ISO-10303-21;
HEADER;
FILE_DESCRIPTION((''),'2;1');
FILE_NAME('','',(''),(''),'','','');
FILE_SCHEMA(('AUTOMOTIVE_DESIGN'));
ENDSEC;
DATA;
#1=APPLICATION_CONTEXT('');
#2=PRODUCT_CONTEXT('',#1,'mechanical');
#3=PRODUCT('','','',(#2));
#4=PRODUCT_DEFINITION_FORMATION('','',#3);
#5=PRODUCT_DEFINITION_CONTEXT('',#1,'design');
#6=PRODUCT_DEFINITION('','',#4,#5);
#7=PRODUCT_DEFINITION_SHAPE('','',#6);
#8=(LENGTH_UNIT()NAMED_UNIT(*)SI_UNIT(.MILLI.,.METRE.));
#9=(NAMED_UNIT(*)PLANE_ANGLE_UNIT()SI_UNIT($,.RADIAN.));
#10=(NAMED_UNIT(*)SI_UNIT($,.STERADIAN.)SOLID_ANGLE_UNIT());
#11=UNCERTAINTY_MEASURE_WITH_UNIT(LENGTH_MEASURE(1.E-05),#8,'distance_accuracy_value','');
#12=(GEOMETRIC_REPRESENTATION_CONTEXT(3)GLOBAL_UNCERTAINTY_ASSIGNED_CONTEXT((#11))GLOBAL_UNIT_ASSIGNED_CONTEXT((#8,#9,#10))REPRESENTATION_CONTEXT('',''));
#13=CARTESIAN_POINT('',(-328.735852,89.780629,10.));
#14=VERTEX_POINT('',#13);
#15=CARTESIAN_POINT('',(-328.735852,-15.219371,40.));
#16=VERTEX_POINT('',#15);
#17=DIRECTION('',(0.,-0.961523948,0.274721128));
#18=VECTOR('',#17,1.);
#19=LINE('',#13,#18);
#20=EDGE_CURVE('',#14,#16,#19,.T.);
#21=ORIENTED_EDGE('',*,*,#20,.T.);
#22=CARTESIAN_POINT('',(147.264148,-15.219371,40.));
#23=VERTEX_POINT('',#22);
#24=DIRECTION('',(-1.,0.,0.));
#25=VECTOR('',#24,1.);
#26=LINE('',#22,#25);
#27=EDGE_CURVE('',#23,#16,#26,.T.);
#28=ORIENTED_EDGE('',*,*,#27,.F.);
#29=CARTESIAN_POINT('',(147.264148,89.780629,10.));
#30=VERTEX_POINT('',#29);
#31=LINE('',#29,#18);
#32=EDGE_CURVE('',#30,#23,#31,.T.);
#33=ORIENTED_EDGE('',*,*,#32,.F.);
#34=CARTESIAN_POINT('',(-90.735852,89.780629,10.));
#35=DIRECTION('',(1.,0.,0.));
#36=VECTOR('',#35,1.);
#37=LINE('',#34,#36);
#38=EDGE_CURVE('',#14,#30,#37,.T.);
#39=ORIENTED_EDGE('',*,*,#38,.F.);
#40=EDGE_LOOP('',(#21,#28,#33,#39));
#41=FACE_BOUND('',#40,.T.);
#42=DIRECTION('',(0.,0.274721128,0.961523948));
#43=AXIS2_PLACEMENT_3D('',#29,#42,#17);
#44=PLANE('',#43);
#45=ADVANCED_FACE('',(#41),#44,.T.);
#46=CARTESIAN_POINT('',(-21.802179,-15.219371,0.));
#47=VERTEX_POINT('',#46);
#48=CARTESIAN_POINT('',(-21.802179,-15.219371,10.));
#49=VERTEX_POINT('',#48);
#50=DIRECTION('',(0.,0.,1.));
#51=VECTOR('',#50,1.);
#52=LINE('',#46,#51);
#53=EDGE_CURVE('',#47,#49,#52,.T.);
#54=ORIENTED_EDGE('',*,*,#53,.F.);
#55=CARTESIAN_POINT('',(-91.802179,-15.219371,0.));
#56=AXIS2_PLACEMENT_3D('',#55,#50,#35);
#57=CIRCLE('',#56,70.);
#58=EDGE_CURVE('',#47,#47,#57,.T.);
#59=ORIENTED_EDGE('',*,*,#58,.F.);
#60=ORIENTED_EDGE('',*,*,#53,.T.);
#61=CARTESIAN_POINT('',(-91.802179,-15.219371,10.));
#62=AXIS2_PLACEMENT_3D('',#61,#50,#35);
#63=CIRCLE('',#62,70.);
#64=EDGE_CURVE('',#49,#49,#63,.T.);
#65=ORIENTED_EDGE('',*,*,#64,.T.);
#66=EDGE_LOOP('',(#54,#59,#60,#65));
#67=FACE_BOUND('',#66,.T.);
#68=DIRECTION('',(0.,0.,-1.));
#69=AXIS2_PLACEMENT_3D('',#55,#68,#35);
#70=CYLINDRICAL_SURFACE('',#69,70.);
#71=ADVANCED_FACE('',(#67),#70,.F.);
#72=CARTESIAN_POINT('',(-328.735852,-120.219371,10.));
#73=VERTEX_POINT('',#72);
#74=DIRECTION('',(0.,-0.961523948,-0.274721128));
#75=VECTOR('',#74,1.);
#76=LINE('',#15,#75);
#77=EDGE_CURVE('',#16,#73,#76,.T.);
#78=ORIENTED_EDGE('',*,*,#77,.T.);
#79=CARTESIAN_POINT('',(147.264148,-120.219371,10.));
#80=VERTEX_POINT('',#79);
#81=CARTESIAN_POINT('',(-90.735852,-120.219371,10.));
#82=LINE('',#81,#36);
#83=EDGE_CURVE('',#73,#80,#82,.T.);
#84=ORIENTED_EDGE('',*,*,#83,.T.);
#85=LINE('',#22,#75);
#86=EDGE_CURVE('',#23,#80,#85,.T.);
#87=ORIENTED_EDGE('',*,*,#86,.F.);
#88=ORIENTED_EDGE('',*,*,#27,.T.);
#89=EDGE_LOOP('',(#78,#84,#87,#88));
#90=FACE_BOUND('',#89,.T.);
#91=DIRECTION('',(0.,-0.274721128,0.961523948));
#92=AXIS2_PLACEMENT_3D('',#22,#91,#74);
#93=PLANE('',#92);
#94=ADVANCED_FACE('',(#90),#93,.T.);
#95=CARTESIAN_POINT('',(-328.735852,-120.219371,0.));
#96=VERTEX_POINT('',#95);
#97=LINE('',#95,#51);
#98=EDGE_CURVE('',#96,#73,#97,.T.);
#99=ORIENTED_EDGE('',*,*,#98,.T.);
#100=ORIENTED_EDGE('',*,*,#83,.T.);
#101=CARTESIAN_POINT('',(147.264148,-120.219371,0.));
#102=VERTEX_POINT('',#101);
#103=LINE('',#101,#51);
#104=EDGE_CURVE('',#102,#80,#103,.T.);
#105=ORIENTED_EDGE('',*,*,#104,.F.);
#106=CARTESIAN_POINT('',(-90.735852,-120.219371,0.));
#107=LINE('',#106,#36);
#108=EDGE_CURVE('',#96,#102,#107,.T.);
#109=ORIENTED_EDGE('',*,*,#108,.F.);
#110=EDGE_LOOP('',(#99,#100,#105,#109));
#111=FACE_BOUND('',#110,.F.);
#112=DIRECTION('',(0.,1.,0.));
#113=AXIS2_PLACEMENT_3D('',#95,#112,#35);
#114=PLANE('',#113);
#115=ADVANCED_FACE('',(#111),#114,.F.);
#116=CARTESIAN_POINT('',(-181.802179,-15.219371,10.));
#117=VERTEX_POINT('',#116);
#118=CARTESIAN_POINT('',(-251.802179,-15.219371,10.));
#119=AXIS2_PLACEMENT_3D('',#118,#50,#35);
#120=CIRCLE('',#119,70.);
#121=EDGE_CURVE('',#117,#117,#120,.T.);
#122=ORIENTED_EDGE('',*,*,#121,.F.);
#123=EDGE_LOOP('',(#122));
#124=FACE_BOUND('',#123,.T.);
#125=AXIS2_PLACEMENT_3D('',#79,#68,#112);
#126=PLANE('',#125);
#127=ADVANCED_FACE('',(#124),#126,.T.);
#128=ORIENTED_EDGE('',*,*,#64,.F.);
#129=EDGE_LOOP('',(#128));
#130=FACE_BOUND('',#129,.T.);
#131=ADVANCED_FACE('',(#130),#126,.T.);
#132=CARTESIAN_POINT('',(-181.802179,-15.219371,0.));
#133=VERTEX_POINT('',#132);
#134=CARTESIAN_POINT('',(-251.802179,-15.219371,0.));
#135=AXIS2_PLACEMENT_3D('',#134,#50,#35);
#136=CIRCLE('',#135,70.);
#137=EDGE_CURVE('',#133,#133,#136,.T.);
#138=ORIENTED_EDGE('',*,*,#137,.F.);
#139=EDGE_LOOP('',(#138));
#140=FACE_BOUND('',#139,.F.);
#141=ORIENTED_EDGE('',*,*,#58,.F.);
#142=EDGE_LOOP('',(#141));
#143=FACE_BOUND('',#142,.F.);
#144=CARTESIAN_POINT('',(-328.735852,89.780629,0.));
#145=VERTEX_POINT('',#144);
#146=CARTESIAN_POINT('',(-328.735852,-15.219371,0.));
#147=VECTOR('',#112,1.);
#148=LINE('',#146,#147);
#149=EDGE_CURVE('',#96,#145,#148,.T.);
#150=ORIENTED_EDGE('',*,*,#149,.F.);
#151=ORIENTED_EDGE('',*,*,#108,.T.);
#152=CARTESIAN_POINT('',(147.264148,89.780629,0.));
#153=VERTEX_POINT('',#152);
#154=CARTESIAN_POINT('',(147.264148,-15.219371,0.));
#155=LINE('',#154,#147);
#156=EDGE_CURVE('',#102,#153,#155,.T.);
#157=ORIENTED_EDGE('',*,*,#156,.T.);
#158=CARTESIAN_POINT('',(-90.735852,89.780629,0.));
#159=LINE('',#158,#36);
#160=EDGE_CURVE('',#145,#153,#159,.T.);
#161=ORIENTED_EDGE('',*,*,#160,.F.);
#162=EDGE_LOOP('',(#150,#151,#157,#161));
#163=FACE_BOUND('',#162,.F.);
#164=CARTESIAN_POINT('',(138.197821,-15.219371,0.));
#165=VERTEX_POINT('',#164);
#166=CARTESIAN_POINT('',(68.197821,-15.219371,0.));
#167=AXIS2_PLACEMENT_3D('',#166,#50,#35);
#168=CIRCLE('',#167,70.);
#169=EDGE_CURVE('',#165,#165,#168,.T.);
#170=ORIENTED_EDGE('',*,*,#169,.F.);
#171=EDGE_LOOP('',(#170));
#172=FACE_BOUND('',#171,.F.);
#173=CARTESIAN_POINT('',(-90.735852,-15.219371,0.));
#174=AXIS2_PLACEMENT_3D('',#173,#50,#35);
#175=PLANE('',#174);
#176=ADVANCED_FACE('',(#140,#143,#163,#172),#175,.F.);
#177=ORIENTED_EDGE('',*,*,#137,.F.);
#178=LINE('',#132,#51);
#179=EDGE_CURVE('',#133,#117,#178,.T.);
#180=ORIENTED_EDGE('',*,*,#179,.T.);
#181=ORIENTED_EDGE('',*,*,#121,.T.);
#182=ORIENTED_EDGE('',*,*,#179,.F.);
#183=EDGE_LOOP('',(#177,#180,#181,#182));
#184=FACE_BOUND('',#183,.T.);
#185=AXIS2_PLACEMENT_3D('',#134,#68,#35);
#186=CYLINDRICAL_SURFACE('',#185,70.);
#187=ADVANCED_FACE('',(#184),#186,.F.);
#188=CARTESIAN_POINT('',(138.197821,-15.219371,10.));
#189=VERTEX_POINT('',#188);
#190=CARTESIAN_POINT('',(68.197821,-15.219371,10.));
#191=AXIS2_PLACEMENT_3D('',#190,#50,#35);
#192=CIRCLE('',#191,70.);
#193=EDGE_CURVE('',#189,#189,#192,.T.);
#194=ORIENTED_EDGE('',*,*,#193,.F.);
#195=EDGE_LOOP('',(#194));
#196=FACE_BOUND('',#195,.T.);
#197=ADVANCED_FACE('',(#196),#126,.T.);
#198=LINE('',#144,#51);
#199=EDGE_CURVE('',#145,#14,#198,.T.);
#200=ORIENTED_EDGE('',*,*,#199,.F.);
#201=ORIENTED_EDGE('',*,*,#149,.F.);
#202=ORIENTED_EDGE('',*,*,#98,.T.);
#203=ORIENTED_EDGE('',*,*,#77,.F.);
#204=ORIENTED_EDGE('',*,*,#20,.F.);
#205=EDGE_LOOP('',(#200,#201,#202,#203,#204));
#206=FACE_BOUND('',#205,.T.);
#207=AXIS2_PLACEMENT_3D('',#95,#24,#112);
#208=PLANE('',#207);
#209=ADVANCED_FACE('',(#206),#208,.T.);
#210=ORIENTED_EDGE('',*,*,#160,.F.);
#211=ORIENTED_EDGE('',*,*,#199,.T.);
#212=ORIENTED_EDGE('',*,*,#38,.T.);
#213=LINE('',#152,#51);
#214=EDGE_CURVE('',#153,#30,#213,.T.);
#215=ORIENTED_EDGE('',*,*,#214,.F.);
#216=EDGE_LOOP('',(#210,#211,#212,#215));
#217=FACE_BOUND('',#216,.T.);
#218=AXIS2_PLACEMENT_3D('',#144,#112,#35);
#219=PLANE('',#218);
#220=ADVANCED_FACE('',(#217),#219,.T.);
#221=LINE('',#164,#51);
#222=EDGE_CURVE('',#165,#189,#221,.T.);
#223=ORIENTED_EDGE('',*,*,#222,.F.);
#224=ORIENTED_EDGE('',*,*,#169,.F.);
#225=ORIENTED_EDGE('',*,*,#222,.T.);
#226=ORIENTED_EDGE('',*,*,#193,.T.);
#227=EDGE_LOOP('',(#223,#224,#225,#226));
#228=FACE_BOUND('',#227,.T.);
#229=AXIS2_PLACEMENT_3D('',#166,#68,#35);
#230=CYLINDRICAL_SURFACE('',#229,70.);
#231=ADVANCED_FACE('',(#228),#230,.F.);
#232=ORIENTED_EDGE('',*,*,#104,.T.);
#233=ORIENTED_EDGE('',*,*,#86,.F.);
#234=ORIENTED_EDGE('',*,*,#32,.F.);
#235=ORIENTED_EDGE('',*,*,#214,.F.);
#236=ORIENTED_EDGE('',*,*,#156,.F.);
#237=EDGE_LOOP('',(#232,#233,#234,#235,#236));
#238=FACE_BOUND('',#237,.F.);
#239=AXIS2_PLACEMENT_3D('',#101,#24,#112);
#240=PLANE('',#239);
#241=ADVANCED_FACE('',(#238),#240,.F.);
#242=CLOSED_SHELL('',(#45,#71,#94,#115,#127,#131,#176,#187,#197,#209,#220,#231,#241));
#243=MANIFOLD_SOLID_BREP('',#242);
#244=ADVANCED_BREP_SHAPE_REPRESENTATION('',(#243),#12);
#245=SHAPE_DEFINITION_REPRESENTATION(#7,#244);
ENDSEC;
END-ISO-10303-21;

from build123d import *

# Parameters (mm, degrees)
F0_W     = 476
F0_H     = 210
F0_R     = 70
F1_DEPTH = 10
F3_DEPTH = 476


with BuildPart() as f1:
    # F0 (on Top) → F1 (new body)
    with BuildSketch(Plane.XY):
        with Locations((-90.735852, -15.219371)):
            Rectangle(F0_W, F0_H)
        with Locations((-251.802179, -15.219371)):
            Circle(F0_R, mode=Mode.SUBTRACT)
        with Locations((-91.802179, -15.219371)):
            Circle(F0_R, mode=Mode.SUBTRACT)
        with Locations((68.197821, -15.219371)):
            Circle(F0_R, mode=Mode.SUBTRACT)
    extrude(amount=F1_DEPTH)

    # F2 (on face) → F3 (join)
    with BuildSketch(Plane.YZ.offset(147.264148)):
        Polygon((-120.219371, 10), (-15.219371, 10), (-15.219371, 40), align=None)
        Polygon((-15.219371, 40), (-15.219371, 10), (89.780629, 10), align=None)
    extrude(amount=-F3_DEPTH)


solid = f1.part
